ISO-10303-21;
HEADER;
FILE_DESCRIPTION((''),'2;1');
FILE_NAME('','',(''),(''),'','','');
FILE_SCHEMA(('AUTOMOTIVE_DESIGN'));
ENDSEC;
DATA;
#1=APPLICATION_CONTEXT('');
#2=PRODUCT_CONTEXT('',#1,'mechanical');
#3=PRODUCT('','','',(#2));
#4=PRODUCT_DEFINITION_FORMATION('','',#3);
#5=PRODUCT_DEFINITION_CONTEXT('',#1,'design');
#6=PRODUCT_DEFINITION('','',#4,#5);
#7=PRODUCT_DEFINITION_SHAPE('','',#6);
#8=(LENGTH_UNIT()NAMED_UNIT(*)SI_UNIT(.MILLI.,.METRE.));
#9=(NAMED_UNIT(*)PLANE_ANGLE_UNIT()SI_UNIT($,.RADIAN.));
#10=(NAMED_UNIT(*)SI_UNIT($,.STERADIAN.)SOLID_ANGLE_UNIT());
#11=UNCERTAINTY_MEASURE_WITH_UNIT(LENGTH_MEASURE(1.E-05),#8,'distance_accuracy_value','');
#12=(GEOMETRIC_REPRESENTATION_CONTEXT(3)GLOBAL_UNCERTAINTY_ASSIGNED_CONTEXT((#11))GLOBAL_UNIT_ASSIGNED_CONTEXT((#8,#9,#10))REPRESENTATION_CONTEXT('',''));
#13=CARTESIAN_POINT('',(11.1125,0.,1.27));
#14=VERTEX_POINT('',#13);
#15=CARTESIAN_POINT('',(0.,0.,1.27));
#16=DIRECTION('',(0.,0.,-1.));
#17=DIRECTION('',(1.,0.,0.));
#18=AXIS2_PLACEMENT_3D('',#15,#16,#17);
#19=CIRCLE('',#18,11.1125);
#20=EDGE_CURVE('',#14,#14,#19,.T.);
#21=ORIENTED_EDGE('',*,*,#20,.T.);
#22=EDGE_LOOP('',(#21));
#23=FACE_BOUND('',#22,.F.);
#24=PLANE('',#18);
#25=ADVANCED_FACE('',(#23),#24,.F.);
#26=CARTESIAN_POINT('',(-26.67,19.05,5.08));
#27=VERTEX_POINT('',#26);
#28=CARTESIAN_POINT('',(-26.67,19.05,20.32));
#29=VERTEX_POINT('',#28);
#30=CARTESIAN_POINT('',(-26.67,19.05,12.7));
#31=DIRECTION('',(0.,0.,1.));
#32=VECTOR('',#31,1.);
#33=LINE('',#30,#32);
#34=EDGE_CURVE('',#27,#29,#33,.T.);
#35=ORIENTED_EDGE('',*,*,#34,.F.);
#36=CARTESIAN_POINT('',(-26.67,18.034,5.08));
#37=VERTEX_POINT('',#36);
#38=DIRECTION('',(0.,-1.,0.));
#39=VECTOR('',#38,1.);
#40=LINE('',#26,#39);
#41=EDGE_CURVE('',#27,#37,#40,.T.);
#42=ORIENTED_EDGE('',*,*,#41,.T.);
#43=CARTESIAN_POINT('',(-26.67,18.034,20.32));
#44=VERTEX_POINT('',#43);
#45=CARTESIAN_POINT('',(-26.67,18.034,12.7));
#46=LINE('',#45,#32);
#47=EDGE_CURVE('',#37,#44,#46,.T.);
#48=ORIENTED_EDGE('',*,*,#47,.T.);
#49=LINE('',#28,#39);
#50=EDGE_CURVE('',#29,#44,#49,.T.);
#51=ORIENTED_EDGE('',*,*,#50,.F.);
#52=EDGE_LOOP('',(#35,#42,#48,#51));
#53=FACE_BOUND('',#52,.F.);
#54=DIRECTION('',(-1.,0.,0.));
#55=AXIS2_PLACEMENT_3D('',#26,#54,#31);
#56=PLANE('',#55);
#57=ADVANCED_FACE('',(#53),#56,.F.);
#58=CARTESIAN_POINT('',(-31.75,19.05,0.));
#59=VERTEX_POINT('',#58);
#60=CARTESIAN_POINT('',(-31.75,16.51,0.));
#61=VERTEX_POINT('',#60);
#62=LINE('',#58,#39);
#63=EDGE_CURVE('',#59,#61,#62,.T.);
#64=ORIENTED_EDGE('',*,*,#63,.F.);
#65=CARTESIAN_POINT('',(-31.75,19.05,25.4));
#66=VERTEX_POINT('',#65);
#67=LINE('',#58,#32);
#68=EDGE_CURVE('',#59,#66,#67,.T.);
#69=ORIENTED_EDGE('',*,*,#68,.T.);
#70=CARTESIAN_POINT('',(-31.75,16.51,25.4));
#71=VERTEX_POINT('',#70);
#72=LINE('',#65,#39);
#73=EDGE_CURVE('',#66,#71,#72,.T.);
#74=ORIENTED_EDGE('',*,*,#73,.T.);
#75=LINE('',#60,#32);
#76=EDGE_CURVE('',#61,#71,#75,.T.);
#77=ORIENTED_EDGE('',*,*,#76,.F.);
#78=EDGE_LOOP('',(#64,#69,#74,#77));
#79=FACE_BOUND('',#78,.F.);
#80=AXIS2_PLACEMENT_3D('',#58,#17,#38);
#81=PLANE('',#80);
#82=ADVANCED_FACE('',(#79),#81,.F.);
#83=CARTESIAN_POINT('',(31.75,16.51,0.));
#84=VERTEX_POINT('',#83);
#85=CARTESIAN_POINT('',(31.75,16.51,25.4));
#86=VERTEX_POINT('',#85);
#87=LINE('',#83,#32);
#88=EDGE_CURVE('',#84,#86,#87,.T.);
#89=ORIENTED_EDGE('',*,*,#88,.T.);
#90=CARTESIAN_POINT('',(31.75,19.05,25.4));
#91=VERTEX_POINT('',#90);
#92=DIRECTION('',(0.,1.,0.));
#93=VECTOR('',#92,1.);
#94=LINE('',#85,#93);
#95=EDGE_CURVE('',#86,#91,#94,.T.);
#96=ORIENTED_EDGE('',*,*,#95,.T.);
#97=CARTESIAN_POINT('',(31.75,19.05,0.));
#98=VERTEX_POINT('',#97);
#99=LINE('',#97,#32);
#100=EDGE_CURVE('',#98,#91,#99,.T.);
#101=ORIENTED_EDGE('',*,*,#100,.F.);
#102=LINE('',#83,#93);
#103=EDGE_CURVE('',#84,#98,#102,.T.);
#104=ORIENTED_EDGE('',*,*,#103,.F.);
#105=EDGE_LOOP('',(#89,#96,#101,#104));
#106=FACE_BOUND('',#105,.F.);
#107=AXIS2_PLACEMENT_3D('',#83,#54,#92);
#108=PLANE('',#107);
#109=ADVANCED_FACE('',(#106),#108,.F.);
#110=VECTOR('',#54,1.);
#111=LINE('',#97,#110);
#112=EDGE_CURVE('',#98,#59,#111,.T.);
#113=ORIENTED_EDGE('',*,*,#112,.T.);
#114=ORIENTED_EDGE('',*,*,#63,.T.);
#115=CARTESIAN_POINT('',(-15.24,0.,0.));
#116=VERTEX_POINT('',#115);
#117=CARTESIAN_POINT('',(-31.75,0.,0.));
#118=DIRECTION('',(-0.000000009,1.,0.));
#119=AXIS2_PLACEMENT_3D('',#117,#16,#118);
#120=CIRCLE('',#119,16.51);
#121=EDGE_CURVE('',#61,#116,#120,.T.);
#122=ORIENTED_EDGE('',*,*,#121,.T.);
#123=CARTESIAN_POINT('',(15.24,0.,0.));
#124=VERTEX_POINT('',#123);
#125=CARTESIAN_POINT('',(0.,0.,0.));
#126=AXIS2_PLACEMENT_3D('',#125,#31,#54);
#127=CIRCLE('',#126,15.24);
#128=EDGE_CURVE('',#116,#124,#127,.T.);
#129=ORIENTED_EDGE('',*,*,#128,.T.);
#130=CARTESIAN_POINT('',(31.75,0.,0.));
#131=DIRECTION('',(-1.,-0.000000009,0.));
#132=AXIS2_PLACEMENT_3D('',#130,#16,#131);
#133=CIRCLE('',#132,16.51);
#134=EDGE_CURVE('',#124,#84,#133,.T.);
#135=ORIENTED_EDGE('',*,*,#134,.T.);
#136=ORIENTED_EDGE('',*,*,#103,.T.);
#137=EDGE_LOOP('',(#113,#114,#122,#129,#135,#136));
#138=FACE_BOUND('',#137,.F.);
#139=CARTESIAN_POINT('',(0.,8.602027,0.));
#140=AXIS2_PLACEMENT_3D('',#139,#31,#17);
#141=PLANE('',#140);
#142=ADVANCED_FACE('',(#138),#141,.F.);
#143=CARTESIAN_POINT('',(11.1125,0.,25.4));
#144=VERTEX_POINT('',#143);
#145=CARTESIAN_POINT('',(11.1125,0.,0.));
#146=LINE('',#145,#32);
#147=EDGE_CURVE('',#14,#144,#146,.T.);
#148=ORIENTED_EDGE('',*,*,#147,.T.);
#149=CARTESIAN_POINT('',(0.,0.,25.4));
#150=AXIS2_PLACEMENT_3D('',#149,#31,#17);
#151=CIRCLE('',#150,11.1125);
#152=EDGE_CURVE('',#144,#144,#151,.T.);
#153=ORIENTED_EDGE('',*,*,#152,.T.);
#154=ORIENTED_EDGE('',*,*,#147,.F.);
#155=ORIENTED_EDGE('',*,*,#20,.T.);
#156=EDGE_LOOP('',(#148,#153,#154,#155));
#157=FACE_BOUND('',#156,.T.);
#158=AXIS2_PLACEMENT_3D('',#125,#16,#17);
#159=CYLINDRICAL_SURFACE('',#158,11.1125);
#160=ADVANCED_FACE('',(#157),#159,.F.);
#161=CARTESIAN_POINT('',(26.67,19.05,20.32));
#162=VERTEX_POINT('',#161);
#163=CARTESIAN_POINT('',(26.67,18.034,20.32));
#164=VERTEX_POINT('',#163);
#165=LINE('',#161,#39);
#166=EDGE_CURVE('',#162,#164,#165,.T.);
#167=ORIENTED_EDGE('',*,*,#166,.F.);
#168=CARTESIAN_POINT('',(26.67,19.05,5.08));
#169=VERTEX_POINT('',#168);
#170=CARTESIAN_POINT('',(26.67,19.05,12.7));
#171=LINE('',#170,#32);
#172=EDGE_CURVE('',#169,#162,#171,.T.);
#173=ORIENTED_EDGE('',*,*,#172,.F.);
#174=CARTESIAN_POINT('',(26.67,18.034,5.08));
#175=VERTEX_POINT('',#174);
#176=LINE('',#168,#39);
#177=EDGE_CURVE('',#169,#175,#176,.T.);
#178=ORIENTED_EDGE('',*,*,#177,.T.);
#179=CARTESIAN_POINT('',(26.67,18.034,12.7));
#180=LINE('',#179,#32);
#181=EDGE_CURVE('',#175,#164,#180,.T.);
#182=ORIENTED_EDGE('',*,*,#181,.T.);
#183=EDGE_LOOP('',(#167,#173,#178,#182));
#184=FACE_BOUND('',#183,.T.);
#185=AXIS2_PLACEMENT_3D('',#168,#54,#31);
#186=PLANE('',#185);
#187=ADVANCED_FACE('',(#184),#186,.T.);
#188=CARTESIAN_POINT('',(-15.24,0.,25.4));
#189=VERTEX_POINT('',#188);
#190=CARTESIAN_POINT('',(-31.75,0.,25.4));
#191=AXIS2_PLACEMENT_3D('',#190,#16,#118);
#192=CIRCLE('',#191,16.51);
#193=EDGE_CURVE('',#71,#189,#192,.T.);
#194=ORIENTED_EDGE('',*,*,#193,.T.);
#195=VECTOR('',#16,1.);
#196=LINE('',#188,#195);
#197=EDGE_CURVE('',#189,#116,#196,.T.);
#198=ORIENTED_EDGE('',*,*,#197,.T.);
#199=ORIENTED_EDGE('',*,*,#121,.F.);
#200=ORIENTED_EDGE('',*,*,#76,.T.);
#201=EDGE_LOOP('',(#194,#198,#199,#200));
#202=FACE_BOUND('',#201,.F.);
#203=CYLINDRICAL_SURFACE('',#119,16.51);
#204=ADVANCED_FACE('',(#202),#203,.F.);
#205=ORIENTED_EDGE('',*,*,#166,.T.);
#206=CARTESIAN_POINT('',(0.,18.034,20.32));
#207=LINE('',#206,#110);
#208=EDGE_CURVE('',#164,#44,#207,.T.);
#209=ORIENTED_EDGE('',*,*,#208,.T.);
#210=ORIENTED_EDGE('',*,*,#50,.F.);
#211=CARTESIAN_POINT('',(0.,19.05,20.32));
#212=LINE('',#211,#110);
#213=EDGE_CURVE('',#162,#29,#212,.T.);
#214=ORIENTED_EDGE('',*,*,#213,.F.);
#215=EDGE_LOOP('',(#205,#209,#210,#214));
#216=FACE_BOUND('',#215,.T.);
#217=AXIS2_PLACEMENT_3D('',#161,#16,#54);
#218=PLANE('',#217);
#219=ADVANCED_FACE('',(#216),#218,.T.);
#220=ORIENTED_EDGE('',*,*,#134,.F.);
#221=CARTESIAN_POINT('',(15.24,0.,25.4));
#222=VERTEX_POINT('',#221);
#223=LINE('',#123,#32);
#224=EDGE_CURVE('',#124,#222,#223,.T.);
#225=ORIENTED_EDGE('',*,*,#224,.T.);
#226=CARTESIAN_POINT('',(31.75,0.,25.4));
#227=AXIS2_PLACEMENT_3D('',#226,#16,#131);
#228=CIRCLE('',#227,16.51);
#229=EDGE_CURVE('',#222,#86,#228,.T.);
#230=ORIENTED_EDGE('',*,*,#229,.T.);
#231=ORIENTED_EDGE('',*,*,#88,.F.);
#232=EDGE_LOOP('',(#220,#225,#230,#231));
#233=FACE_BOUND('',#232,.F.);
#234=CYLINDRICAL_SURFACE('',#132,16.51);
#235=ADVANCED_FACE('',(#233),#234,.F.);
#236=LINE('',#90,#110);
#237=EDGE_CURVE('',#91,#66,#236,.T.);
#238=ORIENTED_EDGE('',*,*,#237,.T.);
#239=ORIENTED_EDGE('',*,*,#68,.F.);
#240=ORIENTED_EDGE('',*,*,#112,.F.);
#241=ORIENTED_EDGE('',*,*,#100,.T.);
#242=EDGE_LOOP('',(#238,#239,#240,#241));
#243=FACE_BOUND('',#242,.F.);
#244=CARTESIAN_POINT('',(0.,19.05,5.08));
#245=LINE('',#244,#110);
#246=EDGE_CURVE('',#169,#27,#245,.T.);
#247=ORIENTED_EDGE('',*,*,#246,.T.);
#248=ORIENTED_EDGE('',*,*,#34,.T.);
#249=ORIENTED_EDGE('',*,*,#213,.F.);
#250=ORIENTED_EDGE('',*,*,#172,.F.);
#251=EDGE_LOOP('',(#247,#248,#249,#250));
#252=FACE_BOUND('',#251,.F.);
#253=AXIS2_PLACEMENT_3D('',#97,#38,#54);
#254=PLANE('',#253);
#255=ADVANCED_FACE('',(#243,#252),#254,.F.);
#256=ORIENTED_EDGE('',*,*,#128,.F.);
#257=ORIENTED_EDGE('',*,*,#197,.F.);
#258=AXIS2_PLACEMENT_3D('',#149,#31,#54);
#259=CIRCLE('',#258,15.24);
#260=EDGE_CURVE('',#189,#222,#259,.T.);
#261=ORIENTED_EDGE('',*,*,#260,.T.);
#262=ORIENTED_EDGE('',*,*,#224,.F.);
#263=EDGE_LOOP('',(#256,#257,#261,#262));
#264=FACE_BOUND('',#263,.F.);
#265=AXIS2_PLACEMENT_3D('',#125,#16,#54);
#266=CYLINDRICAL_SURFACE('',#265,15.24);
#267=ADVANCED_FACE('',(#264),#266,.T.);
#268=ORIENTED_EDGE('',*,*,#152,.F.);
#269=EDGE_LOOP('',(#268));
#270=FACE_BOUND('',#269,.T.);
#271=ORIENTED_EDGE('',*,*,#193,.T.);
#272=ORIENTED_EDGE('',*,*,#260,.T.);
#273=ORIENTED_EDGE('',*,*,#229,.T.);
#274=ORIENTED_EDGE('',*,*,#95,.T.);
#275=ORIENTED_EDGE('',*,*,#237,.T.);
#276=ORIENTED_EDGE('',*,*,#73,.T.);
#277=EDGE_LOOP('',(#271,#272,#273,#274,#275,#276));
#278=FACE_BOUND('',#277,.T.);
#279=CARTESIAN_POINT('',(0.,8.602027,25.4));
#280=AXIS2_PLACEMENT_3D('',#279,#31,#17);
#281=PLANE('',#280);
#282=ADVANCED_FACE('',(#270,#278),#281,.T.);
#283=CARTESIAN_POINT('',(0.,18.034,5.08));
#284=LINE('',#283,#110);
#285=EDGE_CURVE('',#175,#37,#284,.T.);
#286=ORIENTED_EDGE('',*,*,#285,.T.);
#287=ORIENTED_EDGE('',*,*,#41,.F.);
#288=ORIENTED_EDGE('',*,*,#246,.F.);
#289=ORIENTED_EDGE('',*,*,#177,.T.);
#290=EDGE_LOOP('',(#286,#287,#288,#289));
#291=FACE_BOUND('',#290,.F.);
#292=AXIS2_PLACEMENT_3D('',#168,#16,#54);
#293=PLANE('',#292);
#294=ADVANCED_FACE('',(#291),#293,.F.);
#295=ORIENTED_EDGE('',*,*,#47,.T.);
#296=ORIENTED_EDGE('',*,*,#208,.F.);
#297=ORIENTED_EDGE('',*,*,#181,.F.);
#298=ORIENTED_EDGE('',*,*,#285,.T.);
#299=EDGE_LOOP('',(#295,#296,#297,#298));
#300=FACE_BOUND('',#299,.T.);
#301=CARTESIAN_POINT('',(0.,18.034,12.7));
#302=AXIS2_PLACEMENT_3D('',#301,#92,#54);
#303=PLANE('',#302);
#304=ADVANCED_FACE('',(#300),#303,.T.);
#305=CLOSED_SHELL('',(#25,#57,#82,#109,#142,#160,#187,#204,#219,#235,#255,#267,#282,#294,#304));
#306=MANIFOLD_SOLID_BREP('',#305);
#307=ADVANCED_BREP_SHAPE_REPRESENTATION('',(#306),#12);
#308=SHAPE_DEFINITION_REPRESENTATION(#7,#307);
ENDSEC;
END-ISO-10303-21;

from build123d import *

# Parameters (mm, degrees)
F0_R     = 11.1125
F1_DEPTH = 25.4
F2_R     = 15.24
F3_DEPTH = 1.27
F4_W     = 53.34
F4_H     = 15.24
F5_DEPTH = 1.016


with BuildPart() as f1:
    # F0 (on Top) → F1 (new body)
    with BuildSketch(Plane.XY):
        with BuildLine():
            ThreePointArc((-31.75, 16.51), (-20.075667, 11.674333), (-15.24, 0))
            ThreePointArc((-15.24, 0), (0, -15.24), (15.24, 0))
            ThreePointArc((15.24, 0), (20.075667, 11.674333), (31.75, 16.51))
            Line((31.75, 16.51), (31.75, 19.05))
            Line((31.75, 19.05), (-31.75, 19.05))
            Line((-31.75, 19.05), (-31.75, 16.51))
        make_face()
        Circle(F0_R, mode=Mode.SUBTRACT)
    extrude(amount=F1_DEPTH)

    # F2 (on face) → F3 (join)
    with BuildSketch(Plane(origin=(0, 0, 0), x_dir=(1, 0, 0), z_dir=(0, 0, -1))):
        Circle(F2_R)
    extrude(amount=-F3_DEPTH)

    # F4 (on face) → F5 (cut)
    with BuildSketch(Plane(origin=(0, 19.05, 0), x_dir=(-1, 0, 0), z_dir=(0, 1, 0))):
        with Locations((0, 12.7)):
            Rectangle(F4_W, F4_H)
    extrude(amount=-F5_DEPTH, mode=Mode.SUBTRACT)


solid = f1.part
